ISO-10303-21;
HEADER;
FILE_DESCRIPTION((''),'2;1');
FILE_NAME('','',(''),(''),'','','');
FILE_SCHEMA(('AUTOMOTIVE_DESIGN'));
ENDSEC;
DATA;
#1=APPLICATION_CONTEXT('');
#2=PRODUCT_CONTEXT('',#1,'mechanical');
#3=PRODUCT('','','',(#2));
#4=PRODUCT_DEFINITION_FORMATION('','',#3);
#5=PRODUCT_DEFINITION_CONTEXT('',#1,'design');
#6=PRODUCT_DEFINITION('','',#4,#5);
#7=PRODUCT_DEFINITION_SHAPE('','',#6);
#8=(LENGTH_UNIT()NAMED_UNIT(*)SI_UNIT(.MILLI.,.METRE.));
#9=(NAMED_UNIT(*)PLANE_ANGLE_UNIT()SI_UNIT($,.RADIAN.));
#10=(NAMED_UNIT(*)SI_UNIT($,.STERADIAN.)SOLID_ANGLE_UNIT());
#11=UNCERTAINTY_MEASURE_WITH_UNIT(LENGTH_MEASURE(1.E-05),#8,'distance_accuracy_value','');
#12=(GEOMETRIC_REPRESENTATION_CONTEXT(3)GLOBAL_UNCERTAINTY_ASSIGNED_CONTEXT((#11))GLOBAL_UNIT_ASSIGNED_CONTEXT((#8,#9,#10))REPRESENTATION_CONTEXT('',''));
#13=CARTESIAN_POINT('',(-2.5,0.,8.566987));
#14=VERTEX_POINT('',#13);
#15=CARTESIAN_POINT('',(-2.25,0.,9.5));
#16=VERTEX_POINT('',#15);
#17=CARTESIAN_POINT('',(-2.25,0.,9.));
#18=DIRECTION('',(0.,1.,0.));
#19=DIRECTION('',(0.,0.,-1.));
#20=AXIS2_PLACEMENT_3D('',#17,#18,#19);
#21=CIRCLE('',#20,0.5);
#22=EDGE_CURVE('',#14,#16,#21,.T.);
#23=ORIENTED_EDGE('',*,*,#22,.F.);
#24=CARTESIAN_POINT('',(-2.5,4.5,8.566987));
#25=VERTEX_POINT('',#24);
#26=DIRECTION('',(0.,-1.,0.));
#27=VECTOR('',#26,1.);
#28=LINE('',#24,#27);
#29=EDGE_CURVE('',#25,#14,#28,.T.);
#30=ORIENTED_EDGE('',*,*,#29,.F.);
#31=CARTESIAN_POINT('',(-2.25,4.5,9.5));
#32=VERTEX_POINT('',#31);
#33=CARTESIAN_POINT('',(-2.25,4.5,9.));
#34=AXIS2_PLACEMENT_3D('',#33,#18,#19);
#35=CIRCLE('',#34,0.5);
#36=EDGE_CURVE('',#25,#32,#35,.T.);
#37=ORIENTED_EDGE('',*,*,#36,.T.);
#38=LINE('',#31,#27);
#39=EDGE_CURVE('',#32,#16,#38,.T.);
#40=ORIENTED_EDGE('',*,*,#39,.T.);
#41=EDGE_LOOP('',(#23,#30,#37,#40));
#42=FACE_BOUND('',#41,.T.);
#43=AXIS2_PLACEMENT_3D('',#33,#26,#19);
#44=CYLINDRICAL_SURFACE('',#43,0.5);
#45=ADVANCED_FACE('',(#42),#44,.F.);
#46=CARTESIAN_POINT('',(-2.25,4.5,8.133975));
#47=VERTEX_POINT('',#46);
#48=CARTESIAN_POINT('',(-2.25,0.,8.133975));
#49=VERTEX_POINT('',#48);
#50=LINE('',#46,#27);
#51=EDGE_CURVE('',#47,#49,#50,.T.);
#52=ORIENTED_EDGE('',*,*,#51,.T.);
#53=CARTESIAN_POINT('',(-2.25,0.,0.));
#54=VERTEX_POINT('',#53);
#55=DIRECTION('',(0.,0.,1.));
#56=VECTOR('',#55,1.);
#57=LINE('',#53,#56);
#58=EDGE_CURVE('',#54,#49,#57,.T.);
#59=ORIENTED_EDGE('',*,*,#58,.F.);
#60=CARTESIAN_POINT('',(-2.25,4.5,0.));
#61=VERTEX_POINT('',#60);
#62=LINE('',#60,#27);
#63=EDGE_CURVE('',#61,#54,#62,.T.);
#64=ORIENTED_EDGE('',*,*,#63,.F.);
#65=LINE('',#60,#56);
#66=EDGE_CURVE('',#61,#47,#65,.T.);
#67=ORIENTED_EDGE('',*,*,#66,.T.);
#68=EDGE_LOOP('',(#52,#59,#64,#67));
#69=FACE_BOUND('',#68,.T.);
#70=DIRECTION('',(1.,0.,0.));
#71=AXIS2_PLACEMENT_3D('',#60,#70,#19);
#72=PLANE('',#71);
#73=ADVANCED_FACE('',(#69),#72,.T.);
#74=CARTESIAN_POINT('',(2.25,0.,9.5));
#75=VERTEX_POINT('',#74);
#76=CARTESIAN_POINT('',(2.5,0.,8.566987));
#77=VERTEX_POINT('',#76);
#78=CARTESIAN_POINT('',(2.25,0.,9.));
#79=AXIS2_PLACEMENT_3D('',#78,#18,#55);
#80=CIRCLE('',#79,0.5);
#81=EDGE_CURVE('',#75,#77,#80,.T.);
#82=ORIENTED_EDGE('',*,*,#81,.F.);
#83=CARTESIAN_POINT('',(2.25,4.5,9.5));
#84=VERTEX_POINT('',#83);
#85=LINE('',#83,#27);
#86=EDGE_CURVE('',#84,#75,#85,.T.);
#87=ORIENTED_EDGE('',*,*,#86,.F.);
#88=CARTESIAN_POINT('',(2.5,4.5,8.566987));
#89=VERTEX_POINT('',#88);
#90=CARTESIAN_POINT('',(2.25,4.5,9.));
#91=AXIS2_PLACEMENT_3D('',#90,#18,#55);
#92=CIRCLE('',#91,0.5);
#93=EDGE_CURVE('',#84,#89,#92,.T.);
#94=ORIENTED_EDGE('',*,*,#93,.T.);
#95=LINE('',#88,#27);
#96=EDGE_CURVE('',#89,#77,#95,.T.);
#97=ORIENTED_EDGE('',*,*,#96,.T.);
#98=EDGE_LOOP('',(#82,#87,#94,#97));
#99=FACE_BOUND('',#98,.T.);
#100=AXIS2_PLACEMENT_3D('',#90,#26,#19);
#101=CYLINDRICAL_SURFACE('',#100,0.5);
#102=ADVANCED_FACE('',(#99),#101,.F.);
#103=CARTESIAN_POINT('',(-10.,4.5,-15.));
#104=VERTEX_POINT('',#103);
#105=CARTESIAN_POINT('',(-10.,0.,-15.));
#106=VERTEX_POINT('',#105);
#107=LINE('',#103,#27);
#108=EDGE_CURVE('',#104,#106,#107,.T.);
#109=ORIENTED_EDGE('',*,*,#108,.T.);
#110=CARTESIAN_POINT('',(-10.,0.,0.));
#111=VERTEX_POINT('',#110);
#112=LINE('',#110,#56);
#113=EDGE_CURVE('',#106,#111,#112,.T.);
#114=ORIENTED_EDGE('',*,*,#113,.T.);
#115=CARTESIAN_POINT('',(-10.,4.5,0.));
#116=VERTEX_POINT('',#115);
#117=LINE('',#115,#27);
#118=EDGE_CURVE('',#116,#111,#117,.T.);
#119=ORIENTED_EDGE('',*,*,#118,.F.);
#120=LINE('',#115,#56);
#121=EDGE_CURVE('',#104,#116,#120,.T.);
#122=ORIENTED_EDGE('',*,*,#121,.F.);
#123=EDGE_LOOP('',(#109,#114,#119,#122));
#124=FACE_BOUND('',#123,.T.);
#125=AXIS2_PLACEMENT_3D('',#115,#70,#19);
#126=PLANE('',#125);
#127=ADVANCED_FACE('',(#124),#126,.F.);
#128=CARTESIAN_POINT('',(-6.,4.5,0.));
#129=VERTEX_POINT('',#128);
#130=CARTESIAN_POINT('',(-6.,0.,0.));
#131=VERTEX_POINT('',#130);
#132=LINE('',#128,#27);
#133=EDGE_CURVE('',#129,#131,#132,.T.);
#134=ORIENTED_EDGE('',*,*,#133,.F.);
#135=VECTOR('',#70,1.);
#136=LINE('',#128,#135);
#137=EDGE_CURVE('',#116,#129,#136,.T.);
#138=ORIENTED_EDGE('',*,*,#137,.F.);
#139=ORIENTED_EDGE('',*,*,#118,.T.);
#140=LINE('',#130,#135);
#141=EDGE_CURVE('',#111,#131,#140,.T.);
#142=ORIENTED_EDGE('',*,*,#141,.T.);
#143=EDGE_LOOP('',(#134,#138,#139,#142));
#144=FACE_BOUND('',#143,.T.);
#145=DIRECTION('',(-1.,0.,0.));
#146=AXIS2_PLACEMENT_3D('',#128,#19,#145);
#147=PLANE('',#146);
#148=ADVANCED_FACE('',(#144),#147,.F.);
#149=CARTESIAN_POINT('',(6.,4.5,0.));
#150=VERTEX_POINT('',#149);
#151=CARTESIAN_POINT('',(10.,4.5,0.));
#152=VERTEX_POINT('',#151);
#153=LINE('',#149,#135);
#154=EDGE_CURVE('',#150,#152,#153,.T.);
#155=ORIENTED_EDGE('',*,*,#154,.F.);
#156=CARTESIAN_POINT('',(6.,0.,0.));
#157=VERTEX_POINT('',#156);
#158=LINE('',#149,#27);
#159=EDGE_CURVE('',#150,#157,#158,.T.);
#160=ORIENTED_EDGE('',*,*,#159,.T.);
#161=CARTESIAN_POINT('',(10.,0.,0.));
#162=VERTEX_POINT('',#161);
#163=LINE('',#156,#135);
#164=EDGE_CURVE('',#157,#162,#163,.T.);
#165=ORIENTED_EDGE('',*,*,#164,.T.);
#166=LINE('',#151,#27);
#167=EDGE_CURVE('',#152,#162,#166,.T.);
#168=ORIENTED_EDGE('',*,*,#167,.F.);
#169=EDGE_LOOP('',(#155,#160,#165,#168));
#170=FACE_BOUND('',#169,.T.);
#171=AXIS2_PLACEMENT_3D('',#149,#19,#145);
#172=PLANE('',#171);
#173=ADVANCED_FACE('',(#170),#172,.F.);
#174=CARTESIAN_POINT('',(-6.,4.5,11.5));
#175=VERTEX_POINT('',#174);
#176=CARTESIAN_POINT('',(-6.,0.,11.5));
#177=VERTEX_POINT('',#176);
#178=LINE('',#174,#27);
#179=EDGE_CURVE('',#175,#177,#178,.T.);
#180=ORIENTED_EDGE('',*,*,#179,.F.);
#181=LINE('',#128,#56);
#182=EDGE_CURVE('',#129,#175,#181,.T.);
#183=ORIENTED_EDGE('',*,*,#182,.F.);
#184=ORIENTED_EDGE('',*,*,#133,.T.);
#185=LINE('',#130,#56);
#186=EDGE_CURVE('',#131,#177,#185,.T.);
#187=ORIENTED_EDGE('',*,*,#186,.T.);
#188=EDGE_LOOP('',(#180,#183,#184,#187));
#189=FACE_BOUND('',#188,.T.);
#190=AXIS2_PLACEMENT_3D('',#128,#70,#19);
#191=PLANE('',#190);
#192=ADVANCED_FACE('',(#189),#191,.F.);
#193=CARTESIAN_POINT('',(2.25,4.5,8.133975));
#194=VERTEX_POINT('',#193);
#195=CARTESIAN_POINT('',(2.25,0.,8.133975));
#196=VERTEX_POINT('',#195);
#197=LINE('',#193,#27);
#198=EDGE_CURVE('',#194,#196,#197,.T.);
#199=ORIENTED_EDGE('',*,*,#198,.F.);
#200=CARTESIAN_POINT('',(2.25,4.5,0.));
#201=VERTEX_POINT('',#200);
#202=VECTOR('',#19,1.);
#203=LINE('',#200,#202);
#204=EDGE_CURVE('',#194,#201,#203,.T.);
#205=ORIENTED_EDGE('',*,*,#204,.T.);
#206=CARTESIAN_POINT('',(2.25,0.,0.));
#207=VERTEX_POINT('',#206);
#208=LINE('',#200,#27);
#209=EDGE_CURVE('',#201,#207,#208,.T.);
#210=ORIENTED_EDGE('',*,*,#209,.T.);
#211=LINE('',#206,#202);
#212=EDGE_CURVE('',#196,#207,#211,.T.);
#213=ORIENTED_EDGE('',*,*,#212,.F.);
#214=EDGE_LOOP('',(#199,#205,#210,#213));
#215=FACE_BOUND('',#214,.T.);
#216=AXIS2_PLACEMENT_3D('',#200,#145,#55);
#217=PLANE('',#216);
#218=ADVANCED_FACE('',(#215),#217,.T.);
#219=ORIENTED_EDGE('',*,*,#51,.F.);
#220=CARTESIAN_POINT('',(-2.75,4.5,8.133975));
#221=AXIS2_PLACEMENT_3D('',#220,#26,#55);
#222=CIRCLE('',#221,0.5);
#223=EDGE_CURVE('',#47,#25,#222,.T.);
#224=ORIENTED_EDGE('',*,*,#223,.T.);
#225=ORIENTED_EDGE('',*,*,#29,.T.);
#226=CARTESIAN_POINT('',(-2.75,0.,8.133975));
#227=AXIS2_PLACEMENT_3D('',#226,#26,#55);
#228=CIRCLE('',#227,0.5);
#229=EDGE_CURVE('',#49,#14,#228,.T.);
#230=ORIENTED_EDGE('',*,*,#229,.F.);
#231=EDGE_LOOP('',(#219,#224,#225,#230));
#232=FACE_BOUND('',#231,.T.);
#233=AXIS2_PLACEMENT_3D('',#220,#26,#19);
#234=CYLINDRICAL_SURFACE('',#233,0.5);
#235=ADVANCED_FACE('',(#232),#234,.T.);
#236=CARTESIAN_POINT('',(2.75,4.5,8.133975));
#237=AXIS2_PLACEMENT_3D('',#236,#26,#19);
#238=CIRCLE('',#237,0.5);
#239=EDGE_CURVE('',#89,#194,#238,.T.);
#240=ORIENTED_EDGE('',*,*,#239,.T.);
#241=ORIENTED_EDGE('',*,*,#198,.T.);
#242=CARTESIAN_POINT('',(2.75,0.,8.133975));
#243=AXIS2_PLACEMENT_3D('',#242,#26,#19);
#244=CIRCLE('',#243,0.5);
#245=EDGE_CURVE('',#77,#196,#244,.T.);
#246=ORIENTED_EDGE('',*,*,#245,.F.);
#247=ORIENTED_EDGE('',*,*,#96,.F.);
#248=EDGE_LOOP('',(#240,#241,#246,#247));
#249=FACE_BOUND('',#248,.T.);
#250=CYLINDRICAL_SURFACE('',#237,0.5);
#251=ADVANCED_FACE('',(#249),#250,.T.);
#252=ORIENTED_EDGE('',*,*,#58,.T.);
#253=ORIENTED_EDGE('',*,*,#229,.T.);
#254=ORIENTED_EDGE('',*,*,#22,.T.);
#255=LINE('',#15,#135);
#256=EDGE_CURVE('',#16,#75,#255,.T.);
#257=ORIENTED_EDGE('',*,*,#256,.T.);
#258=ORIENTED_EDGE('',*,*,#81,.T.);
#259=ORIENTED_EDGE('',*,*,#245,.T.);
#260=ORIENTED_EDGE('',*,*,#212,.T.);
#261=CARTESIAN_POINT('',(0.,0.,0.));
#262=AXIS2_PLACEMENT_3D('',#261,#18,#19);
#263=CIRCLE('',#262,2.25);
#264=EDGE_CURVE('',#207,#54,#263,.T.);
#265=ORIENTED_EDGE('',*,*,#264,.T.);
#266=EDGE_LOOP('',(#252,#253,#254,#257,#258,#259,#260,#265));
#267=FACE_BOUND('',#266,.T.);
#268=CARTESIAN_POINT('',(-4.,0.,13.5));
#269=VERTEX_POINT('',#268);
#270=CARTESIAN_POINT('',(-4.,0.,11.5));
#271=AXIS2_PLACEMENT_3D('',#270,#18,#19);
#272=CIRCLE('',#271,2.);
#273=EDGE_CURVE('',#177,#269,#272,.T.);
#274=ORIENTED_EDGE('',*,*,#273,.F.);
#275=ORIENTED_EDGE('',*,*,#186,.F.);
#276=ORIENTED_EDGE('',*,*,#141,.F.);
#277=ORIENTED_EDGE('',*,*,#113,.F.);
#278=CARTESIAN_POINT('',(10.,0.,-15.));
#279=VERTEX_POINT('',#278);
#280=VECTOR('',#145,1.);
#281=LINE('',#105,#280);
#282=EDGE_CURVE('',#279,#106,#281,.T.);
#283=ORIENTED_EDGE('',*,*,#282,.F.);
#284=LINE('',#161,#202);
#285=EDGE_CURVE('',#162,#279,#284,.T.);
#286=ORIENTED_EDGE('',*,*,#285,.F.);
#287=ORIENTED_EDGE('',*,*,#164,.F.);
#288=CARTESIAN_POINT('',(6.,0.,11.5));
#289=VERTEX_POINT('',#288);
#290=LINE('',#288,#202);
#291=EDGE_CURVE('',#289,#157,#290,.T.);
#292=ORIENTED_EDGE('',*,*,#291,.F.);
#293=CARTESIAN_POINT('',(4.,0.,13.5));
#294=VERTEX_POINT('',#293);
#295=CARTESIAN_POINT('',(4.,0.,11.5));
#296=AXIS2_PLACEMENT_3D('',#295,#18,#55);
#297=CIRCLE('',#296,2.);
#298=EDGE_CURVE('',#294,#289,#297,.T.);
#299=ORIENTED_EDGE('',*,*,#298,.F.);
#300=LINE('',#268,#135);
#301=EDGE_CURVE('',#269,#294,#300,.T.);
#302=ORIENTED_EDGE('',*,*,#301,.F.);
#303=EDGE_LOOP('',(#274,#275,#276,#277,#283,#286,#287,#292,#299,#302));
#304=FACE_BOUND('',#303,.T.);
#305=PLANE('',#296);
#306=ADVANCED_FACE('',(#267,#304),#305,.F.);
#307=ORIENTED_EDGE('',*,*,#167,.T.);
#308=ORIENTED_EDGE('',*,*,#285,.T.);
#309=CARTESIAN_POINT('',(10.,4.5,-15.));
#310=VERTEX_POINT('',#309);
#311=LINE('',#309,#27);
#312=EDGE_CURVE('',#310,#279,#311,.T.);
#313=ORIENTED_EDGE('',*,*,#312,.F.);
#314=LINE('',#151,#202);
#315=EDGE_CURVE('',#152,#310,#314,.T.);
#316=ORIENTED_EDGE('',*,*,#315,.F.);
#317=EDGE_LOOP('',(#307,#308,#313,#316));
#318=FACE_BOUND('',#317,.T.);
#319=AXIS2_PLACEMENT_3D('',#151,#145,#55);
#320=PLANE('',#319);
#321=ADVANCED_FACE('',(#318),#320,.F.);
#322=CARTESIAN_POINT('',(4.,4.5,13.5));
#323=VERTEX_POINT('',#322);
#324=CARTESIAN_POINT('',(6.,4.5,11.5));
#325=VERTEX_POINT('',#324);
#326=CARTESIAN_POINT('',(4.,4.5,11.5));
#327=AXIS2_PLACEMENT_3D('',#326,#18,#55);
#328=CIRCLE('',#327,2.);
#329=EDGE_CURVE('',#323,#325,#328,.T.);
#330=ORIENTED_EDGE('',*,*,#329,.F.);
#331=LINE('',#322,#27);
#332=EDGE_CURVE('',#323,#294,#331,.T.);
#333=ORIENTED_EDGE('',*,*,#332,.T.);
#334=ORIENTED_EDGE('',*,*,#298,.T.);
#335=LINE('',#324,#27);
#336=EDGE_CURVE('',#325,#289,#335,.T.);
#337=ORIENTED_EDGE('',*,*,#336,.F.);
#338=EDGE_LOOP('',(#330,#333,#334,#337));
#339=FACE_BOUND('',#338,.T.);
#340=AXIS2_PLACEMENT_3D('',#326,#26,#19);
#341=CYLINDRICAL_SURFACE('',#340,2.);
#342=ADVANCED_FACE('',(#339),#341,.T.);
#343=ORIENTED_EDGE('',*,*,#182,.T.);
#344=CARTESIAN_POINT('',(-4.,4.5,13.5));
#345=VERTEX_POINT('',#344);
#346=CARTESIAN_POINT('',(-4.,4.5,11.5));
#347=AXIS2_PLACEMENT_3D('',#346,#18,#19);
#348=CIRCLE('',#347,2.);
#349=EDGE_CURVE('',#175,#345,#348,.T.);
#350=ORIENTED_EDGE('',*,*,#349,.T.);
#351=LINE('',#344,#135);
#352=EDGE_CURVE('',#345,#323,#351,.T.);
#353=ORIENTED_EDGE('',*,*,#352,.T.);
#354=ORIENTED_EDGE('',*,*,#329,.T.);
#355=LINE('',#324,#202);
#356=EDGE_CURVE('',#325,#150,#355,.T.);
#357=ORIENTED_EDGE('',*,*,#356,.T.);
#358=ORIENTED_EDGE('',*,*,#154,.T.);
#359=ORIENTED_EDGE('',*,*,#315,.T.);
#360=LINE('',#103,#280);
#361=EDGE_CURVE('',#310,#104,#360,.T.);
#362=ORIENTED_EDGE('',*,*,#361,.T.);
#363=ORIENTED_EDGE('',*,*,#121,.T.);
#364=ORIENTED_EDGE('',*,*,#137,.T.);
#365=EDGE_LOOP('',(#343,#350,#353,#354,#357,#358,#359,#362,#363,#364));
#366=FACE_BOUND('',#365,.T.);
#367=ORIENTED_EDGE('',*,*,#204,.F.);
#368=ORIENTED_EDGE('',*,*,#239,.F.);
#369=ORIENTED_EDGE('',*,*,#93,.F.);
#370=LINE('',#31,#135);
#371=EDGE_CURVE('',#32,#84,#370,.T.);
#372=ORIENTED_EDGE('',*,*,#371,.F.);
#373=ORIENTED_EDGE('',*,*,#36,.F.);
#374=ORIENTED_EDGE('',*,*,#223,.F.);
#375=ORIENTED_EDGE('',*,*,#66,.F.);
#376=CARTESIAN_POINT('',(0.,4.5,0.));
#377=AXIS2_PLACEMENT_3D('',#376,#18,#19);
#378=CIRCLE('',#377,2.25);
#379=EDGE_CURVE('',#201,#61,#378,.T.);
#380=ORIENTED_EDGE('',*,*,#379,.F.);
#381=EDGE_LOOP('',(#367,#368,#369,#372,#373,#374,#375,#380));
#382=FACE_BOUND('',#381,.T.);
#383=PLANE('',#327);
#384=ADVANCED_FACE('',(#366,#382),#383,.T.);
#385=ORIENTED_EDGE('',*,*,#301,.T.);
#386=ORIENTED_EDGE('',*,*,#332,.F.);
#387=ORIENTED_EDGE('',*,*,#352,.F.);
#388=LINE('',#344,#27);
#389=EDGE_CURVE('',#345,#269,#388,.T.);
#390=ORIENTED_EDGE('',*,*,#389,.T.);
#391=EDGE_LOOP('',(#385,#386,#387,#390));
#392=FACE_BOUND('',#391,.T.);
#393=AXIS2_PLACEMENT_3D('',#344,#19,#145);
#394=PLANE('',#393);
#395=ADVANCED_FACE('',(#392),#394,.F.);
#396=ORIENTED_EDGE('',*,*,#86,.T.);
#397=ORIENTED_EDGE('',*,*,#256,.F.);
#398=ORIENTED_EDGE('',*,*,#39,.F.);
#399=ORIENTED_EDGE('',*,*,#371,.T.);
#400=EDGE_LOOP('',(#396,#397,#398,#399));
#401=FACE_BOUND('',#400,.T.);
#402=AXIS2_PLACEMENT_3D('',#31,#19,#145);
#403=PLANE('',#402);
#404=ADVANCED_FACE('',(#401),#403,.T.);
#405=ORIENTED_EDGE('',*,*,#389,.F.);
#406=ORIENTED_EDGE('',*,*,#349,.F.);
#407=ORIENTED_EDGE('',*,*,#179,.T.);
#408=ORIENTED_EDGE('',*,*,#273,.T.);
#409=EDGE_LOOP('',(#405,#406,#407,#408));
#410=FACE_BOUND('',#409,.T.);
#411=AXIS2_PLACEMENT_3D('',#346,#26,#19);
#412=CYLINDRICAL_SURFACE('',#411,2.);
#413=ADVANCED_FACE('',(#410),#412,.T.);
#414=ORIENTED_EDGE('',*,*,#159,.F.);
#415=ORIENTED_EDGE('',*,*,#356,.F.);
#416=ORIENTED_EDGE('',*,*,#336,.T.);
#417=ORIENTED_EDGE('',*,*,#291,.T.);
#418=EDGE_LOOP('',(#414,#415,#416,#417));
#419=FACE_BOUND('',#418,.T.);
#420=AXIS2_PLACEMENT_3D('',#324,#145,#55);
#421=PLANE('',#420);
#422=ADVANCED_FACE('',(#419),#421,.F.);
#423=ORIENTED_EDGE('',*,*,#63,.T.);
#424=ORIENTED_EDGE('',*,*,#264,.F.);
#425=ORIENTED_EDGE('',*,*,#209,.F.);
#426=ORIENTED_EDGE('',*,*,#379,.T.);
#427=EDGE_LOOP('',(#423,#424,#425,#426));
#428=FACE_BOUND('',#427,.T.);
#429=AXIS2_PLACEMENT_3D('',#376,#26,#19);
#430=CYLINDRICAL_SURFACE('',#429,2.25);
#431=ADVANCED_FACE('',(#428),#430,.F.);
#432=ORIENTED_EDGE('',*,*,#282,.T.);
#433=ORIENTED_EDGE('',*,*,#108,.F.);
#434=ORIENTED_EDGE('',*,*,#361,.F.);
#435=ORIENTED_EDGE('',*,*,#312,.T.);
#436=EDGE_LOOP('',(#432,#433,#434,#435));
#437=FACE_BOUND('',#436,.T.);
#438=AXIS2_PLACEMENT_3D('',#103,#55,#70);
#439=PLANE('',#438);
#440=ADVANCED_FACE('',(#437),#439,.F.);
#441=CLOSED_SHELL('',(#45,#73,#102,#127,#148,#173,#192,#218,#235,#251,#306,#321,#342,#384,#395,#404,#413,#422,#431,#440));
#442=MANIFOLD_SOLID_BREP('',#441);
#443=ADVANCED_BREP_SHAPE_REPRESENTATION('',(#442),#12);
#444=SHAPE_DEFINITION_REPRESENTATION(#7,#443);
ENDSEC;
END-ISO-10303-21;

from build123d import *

# Parameters (mm, degrees)
BOSS_EXTRUDE1_DEPTH = 4.5


with BuildPart() as part:
    # Sketch1 → Boss-Extrude1 (new body)
    with BuildSketch(Plane(origin=(0, 0, 0), x_dir=(1, 0, 0), z_dir=(0, 1, 0))):
        with BuildLine():
            Line((-10, 0), (-10, 15))
            Line((-10, 15), (10, 15))
            Line((10, 15), (10, 0))
            Line((10, 0), (6, 0))
            Line((6, 0), (6, -11.5))
            ThreePointArc((6, -11.5), (5.414213562, -12.914213562), (4, -13.5))
            Line((4, -13.5), (-4, -13.5))
            ThreePointArc((-4, -13.5), (-5.414213562, -12.914213562), (-6, -11.5))
            Line((-6, -11.5), (-6, 0))
            Line((-6, 0), (-10, 0))
        make_face()
        with BuildLine():
            Line((2.25, 0), (2.25, -8.133974596))
            ThreePointArc((2.25, -8.133974596), (2.316987298, -8.383974596), (2.5, -8.566987298))
            ThreePointArc((2.5, -8.566987298), (2.732962913, -9.129409523), (2.25, -9.5))
            Line((2.25, -9.5), (-2.25, -9.5))
            ThreePointArc((-2.25, -9.5), (-2.732962913, -9.129409523), (-2.5, -8.566987298))
            ThreePointArc((-2.5, -8.566987298), (-2.316987298, -8.383974596), (-2.25, -8.133974596))
            Line((-2.25, -8.133974596), (-2.25, 0))
            ThreePointArc((-2.25, 0), (0, 2.25), (2.25, 0))
        make_face(mode=Mode.SUBTRACT)
    extrude(amount=BOSS_EXTRUDE1_DEPTH)


solid = part.part
